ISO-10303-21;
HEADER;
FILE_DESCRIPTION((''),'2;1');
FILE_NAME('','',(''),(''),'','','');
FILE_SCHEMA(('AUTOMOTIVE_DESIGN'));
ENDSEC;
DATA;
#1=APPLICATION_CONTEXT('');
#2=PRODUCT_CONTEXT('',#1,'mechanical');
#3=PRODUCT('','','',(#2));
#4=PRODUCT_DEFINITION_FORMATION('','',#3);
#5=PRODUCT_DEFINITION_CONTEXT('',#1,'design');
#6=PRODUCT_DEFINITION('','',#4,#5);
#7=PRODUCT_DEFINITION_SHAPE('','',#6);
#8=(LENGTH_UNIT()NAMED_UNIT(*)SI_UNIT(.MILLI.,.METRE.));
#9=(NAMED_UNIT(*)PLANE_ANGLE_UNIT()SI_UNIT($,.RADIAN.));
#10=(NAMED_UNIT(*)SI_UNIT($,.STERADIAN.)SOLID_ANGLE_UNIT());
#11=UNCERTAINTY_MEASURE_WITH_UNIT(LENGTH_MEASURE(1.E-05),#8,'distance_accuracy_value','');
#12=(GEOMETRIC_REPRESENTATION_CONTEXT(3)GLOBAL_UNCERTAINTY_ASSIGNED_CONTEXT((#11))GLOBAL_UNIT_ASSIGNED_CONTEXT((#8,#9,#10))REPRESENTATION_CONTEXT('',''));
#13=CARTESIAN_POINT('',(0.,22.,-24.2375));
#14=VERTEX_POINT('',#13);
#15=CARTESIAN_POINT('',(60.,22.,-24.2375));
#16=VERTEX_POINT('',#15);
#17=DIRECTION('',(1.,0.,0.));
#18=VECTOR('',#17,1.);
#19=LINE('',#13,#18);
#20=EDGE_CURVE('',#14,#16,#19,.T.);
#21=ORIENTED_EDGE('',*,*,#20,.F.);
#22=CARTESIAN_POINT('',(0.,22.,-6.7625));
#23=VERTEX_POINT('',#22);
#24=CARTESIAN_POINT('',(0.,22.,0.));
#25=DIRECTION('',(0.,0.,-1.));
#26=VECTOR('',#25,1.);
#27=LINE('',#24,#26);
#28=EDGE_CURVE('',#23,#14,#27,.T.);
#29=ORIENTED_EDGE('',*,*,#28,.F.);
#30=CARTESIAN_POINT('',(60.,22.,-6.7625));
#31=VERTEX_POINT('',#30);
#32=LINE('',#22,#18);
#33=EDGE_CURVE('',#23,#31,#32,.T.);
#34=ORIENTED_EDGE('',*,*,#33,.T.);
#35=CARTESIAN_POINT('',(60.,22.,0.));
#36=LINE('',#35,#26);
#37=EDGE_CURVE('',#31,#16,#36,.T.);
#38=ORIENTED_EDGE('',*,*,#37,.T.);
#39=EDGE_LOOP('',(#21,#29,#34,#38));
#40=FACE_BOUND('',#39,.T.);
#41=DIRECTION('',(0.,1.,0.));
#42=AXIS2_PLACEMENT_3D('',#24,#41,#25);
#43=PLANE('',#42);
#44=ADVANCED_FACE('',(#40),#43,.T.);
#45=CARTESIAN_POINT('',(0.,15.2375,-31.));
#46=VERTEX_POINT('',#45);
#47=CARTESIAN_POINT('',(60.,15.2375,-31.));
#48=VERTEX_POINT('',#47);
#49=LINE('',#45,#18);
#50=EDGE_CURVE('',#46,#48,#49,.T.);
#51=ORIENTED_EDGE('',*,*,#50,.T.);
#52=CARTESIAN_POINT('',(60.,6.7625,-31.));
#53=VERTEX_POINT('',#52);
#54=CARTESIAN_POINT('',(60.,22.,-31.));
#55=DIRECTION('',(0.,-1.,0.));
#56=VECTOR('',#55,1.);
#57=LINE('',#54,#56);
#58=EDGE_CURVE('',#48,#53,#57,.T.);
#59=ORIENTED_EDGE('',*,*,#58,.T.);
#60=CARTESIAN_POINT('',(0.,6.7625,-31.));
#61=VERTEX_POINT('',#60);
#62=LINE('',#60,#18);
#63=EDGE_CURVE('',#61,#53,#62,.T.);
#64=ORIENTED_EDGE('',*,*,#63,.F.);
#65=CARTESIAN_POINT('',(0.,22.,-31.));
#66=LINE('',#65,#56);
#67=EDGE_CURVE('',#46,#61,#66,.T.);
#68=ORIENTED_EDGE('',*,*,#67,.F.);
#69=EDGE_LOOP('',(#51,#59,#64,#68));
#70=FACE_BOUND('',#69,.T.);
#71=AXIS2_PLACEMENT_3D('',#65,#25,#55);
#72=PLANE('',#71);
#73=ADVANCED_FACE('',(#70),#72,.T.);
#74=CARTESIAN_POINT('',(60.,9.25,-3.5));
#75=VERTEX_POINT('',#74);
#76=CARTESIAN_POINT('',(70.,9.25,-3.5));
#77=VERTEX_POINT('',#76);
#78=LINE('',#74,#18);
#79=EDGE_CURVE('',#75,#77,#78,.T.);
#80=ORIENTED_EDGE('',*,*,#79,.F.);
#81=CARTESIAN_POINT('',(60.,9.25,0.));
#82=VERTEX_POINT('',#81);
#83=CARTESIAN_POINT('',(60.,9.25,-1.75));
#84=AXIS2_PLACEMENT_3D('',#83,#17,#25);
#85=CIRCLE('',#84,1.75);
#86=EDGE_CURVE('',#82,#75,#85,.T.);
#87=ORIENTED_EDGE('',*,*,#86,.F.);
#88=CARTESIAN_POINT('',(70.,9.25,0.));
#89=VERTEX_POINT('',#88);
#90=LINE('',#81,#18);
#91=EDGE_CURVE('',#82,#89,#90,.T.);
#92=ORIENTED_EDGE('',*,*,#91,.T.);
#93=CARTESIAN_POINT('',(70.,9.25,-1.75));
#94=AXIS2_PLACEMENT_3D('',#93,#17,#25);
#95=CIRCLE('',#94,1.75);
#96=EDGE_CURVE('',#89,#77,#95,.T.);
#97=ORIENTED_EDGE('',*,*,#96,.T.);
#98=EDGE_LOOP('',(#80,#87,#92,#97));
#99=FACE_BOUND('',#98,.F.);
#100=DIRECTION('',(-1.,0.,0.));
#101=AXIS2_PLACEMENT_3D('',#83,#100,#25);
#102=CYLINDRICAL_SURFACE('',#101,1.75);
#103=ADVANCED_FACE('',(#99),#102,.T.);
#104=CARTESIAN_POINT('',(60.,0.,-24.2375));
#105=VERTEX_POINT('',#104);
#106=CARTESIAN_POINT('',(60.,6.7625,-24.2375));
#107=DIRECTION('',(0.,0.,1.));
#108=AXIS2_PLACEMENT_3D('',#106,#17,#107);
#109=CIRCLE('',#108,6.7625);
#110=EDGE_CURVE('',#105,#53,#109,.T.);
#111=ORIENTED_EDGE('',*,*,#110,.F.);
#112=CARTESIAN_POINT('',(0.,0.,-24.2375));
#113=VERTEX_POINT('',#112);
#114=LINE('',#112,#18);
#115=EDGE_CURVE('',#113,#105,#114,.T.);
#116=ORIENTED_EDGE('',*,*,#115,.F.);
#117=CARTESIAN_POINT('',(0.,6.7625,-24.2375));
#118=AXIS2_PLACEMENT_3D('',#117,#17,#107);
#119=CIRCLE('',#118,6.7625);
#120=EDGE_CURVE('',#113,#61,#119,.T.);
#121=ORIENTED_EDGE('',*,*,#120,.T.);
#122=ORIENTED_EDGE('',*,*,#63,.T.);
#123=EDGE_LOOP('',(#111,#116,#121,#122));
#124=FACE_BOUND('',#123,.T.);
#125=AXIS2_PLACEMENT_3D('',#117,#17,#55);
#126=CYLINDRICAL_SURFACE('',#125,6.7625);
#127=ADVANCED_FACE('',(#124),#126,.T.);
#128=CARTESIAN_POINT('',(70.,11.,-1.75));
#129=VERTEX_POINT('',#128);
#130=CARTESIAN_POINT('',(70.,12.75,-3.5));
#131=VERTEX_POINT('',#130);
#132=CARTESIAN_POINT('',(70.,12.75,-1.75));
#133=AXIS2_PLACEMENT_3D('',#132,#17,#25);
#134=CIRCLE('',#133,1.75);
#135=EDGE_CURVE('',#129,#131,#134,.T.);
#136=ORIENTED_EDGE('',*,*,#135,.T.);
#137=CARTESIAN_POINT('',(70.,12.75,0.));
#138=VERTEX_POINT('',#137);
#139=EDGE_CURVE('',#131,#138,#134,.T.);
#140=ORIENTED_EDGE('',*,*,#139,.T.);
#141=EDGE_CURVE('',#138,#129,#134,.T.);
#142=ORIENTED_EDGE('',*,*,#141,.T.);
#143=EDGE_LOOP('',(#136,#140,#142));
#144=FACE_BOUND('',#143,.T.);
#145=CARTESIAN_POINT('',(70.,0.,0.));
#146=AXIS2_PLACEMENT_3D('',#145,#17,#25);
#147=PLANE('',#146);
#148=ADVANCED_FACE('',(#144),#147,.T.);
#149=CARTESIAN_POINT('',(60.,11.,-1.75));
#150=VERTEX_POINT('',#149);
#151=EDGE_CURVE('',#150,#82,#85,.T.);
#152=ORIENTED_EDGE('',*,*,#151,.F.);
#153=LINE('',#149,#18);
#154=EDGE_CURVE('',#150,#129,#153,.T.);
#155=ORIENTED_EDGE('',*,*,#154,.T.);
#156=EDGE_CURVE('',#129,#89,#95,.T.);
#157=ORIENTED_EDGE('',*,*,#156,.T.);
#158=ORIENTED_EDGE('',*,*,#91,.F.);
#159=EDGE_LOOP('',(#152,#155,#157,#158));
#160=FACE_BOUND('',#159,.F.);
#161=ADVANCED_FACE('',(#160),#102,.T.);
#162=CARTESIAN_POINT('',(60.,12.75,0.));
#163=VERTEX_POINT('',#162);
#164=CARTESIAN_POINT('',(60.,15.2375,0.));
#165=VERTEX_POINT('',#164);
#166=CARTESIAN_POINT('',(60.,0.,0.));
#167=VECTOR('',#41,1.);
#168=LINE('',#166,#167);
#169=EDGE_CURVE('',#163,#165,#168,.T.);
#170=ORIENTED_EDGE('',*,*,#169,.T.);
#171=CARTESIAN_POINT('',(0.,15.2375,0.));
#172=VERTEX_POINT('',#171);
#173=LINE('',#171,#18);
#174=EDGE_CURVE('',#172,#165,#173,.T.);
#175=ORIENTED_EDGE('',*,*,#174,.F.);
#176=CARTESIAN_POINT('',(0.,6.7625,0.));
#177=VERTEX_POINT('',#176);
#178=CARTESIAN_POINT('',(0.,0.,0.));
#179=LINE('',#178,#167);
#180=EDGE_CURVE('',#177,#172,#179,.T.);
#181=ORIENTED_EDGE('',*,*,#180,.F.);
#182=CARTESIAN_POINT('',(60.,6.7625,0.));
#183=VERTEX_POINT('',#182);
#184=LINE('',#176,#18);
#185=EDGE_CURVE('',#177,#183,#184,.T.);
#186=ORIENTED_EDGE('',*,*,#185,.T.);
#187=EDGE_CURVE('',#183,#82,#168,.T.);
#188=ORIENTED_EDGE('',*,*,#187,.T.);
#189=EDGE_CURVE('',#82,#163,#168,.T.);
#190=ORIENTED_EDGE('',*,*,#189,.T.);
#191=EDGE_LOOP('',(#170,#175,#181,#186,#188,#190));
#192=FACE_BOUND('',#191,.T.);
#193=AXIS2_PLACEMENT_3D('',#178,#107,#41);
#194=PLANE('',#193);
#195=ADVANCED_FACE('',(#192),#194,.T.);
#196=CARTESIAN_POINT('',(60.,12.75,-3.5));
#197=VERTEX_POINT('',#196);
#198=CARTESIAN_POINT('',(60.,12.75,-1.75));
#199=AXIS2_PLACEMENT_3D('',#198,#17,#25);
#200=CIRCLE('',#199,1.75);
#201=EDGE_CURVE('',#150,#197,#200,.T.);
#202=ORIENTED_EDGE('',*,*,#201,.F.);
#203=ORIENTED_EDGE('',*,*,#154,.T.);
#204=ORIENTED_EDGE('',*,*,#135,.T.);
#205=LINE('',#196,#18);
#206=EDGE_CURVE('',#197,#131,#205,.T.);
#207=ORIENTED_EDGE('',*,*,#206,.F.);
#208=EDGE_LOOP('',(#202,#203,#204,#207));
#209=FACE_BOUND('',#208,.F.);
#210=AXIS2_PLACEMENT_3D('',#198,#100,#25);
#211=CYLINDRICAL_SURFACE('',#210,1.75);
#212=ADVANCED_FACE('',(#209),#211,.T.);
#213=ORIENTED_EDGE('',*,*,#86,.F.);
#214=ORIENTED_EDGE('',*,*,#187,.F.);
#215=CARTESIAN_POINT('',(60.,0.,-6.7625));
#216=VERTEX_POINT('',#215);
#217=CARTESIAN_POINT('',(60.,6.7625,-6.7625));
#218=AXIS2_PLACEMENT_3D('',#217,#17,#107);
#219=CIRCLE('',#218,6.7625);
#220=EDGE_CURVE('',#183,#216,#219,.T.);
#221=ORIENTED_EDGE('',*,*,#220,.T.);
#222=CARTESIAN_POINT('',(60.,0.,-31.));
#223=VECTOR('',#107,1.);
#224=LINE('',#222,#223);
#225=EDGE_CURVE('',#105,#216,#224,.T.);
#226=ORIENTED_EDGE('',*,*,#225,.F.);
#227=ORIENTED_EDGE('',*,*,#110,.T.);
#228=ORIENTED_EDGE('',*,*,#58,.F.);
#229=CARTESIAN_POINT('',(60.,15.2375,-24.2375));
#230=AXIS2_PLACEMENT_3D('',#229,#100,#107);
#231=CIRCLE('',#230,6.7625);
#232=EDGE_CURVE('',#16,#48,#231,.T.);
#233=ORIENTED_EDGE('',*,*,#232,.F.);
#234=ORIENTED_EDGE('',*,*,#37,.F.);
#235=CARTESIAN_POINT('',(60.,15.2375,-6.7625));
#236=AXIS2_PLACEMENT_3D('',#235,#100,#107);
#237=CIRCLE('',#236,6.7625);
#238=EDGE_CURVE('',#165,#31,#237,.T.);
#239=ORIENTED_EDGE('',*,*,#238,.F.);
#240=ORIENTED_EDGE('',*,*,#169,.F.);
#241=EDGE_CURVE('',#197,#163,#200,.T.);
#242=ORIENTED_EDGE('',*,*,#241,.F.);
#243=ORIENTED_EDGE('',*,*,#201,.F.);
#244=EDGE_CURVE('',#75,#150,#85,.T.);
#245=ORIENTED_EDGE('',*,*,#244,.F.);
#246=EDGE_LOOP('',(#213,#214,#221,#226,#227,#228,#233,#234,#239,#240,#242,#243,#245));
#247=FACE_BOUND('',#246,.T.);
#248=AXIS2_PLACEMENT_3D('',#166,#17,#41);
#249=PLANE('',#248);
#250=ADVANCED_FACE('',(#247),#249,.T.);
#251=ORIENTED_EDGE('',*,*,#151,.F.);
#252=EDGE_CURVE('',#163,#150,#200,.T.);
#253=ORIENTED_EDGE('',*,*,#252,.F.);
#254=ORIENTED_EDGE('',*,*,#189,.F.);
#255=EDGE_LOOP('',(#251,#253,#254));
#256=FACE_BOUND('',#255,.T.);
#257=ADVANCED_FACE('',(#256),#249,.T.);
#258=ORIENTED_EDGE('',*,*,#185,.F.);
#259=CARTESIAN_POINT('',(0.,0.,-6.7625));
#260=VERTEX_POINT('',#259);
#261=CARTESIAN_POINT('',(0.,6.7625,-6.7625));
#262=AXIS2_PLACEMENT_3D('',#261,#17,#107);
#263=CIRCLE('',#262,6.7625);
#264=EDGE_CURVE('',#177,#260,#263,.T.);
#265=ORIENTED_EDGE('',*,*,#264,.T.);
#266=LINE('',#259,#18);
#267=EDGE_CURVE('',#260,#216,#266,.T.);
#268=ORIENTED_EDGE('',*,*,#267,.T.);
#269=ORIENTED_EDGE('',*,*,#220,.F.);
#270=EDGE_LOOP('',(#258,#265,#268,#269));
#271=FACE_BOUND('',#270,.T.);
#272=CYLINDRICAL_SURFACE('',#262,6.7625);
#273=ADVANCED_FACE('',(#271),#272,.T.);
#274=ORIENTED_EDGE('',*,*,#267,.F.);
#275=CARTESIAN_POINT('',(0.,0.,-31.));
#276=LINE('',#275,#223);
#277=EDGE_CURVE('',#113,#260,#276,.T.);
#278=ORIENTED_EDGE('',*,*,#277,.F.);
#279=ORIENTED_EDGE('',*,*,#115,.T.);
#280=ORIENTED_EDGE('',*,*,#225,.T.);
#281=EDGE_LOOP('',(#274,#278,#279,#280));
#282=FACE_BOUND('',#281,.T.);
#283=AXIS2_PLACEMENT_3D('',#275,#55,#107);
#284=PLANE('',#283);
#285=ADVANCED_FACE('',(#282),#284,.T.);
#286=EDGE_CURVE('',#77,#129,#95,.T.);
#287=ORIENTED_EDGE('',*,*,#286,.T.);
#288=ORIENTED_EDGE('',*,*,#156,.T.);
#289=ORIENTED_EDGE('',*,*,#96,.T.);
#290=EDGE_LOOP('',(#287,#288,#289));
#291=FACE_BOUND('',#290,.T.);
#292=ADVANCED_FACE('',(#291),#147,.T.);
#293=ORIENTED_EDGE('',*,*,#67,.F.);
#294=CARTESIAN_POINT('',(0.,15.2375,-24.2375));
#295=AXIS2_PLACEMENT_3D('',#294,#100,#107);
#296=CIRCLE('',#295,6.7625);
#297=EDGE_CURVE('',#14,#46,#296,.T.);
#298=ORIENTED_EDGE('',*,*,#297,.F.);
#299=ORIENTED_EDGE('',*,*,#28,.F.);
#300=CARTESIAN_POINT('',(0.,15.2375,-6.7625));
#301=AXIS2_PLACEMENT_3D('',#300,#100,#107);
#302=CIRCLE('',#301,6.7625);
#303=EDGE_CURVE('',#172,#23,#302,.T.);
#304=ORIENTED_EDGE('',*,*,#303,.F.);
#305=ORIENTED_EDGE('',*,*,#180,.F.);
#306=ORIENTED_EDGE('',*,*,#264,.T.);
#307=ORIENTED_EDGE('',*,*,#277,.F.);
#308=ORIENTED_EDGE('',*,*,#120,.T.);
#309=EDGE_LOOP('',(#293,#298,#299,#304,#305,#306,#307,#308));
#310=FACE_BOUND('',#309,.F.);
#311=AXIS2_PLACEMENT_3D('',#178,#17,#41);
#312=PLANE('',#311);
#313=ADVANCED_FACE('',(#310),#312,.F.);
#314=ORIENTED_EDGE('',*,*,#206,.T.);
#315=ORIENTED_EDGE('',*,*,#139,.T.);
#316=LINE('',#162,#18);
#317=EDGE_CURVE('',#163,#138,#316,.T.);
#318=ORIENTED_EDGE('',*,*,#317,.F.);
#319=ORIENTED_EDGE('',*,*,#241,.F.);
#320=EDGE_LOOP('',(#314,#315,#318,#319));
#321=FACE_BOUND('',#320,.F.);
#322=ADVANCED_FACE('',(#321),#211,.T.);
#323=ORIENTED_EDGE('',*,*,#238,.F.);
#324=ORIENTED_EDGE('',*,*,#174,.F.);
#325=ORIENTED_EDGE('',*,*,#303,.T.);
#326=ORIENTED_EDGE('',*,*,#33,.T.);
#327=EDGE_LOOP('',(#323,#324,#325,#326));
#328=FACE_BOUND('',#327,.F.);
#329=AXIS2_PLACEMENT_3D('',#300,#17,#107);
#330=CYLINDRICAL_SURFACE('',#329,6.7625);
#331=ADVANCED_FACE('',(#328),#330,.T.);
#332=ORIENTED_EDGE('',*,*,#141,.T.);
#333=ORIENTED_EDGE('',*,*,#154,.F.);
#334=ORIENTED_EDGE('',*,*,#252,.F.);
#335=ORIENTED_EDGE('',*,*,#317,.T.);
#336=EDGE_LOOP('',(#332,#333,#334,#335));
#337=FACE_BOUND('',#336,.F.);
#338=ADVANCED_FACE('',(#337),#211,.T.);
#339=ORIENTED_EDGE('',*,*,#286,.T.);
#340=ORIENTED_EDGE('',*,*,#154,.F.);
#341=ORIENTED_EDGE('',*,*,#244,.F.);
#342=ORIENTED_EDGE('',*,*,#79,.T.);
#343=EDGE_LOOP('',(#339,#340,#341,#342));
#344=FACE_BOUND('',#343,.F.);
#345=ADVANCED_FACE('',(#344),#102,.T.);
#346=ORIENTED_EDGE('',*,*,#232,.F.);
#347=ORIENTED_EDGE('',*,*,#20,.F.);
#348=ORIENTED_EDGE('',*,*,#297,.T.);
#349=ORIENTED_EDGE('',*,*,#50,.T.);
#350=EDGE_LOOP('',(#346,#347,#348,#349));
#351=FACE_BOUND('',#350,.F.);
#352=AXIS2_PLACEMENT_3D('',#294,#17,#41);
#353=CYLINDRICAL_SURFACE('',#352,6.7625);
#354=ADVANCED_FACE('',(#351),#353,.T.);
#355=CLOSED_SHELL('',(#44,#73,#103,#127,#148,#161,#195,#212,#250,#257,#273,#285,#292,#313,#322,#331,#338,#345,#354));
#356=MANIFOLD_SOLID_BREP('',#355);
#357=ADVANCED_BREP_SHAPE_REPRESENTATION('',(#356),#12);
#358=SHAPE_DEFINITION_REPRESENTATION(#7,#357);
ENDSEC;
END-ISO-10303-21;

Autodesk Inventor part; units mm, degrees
ref_plane "YZ Plane" through (0, 0, 0) normal (1, 0, 0) x (0, 1, 0)
ref_plane "XZ Plane" through (0, 0, 0) normal (0, 1, 0) x (-1, 0, 0)
ref_plane "XY Plane" through (0, 0, 0) normal (0, 0, 1) x (1, 0, 0)
sketch "Sketch1" plane through (0, 0, 0) normal (1, 0, 0) x (0, 1, 0)
  line L0 (0, 0) -> (22, 0)
  line L1 (22, 0) -> (22, -31)
  line L2 (22, -31) -> (0, -31)
  line L3 (0, -31) -> (0, 0)
  dimension "d0" = 22
  dimension "d1" = 31
extrude "Extrusion1" add sketch "Sketch1" along normal blind 60
sketch "Sketch2" plane through (60, 0, 0) normal (1, 0, 0) x (0, 0, -1)
  circle A0 centre (1.75, 9.25) radius 1.75
  circle A1 centre (1.75, 12.75) radius 1.75
  line L0 (1.75, 9.25) -> (1.75, 12.75) construction
  line L1 (0, 22) -> (0, 0) projected
  point P0 (1.75, 11)
  point P1 (0, 11)
  point P2 (1.75, 11)
  dimension "d4" = 3.5
extrude "Extrusion2" add sketch "Sketch2" along normal blind 10 contours A0 | A1
fillet "Fillet1" radius 6.7625 4 edges at (30, 0, 0) (30, 22, 0) (30, 0, -31) (30, 22, -31)
properties part number "Battery"
